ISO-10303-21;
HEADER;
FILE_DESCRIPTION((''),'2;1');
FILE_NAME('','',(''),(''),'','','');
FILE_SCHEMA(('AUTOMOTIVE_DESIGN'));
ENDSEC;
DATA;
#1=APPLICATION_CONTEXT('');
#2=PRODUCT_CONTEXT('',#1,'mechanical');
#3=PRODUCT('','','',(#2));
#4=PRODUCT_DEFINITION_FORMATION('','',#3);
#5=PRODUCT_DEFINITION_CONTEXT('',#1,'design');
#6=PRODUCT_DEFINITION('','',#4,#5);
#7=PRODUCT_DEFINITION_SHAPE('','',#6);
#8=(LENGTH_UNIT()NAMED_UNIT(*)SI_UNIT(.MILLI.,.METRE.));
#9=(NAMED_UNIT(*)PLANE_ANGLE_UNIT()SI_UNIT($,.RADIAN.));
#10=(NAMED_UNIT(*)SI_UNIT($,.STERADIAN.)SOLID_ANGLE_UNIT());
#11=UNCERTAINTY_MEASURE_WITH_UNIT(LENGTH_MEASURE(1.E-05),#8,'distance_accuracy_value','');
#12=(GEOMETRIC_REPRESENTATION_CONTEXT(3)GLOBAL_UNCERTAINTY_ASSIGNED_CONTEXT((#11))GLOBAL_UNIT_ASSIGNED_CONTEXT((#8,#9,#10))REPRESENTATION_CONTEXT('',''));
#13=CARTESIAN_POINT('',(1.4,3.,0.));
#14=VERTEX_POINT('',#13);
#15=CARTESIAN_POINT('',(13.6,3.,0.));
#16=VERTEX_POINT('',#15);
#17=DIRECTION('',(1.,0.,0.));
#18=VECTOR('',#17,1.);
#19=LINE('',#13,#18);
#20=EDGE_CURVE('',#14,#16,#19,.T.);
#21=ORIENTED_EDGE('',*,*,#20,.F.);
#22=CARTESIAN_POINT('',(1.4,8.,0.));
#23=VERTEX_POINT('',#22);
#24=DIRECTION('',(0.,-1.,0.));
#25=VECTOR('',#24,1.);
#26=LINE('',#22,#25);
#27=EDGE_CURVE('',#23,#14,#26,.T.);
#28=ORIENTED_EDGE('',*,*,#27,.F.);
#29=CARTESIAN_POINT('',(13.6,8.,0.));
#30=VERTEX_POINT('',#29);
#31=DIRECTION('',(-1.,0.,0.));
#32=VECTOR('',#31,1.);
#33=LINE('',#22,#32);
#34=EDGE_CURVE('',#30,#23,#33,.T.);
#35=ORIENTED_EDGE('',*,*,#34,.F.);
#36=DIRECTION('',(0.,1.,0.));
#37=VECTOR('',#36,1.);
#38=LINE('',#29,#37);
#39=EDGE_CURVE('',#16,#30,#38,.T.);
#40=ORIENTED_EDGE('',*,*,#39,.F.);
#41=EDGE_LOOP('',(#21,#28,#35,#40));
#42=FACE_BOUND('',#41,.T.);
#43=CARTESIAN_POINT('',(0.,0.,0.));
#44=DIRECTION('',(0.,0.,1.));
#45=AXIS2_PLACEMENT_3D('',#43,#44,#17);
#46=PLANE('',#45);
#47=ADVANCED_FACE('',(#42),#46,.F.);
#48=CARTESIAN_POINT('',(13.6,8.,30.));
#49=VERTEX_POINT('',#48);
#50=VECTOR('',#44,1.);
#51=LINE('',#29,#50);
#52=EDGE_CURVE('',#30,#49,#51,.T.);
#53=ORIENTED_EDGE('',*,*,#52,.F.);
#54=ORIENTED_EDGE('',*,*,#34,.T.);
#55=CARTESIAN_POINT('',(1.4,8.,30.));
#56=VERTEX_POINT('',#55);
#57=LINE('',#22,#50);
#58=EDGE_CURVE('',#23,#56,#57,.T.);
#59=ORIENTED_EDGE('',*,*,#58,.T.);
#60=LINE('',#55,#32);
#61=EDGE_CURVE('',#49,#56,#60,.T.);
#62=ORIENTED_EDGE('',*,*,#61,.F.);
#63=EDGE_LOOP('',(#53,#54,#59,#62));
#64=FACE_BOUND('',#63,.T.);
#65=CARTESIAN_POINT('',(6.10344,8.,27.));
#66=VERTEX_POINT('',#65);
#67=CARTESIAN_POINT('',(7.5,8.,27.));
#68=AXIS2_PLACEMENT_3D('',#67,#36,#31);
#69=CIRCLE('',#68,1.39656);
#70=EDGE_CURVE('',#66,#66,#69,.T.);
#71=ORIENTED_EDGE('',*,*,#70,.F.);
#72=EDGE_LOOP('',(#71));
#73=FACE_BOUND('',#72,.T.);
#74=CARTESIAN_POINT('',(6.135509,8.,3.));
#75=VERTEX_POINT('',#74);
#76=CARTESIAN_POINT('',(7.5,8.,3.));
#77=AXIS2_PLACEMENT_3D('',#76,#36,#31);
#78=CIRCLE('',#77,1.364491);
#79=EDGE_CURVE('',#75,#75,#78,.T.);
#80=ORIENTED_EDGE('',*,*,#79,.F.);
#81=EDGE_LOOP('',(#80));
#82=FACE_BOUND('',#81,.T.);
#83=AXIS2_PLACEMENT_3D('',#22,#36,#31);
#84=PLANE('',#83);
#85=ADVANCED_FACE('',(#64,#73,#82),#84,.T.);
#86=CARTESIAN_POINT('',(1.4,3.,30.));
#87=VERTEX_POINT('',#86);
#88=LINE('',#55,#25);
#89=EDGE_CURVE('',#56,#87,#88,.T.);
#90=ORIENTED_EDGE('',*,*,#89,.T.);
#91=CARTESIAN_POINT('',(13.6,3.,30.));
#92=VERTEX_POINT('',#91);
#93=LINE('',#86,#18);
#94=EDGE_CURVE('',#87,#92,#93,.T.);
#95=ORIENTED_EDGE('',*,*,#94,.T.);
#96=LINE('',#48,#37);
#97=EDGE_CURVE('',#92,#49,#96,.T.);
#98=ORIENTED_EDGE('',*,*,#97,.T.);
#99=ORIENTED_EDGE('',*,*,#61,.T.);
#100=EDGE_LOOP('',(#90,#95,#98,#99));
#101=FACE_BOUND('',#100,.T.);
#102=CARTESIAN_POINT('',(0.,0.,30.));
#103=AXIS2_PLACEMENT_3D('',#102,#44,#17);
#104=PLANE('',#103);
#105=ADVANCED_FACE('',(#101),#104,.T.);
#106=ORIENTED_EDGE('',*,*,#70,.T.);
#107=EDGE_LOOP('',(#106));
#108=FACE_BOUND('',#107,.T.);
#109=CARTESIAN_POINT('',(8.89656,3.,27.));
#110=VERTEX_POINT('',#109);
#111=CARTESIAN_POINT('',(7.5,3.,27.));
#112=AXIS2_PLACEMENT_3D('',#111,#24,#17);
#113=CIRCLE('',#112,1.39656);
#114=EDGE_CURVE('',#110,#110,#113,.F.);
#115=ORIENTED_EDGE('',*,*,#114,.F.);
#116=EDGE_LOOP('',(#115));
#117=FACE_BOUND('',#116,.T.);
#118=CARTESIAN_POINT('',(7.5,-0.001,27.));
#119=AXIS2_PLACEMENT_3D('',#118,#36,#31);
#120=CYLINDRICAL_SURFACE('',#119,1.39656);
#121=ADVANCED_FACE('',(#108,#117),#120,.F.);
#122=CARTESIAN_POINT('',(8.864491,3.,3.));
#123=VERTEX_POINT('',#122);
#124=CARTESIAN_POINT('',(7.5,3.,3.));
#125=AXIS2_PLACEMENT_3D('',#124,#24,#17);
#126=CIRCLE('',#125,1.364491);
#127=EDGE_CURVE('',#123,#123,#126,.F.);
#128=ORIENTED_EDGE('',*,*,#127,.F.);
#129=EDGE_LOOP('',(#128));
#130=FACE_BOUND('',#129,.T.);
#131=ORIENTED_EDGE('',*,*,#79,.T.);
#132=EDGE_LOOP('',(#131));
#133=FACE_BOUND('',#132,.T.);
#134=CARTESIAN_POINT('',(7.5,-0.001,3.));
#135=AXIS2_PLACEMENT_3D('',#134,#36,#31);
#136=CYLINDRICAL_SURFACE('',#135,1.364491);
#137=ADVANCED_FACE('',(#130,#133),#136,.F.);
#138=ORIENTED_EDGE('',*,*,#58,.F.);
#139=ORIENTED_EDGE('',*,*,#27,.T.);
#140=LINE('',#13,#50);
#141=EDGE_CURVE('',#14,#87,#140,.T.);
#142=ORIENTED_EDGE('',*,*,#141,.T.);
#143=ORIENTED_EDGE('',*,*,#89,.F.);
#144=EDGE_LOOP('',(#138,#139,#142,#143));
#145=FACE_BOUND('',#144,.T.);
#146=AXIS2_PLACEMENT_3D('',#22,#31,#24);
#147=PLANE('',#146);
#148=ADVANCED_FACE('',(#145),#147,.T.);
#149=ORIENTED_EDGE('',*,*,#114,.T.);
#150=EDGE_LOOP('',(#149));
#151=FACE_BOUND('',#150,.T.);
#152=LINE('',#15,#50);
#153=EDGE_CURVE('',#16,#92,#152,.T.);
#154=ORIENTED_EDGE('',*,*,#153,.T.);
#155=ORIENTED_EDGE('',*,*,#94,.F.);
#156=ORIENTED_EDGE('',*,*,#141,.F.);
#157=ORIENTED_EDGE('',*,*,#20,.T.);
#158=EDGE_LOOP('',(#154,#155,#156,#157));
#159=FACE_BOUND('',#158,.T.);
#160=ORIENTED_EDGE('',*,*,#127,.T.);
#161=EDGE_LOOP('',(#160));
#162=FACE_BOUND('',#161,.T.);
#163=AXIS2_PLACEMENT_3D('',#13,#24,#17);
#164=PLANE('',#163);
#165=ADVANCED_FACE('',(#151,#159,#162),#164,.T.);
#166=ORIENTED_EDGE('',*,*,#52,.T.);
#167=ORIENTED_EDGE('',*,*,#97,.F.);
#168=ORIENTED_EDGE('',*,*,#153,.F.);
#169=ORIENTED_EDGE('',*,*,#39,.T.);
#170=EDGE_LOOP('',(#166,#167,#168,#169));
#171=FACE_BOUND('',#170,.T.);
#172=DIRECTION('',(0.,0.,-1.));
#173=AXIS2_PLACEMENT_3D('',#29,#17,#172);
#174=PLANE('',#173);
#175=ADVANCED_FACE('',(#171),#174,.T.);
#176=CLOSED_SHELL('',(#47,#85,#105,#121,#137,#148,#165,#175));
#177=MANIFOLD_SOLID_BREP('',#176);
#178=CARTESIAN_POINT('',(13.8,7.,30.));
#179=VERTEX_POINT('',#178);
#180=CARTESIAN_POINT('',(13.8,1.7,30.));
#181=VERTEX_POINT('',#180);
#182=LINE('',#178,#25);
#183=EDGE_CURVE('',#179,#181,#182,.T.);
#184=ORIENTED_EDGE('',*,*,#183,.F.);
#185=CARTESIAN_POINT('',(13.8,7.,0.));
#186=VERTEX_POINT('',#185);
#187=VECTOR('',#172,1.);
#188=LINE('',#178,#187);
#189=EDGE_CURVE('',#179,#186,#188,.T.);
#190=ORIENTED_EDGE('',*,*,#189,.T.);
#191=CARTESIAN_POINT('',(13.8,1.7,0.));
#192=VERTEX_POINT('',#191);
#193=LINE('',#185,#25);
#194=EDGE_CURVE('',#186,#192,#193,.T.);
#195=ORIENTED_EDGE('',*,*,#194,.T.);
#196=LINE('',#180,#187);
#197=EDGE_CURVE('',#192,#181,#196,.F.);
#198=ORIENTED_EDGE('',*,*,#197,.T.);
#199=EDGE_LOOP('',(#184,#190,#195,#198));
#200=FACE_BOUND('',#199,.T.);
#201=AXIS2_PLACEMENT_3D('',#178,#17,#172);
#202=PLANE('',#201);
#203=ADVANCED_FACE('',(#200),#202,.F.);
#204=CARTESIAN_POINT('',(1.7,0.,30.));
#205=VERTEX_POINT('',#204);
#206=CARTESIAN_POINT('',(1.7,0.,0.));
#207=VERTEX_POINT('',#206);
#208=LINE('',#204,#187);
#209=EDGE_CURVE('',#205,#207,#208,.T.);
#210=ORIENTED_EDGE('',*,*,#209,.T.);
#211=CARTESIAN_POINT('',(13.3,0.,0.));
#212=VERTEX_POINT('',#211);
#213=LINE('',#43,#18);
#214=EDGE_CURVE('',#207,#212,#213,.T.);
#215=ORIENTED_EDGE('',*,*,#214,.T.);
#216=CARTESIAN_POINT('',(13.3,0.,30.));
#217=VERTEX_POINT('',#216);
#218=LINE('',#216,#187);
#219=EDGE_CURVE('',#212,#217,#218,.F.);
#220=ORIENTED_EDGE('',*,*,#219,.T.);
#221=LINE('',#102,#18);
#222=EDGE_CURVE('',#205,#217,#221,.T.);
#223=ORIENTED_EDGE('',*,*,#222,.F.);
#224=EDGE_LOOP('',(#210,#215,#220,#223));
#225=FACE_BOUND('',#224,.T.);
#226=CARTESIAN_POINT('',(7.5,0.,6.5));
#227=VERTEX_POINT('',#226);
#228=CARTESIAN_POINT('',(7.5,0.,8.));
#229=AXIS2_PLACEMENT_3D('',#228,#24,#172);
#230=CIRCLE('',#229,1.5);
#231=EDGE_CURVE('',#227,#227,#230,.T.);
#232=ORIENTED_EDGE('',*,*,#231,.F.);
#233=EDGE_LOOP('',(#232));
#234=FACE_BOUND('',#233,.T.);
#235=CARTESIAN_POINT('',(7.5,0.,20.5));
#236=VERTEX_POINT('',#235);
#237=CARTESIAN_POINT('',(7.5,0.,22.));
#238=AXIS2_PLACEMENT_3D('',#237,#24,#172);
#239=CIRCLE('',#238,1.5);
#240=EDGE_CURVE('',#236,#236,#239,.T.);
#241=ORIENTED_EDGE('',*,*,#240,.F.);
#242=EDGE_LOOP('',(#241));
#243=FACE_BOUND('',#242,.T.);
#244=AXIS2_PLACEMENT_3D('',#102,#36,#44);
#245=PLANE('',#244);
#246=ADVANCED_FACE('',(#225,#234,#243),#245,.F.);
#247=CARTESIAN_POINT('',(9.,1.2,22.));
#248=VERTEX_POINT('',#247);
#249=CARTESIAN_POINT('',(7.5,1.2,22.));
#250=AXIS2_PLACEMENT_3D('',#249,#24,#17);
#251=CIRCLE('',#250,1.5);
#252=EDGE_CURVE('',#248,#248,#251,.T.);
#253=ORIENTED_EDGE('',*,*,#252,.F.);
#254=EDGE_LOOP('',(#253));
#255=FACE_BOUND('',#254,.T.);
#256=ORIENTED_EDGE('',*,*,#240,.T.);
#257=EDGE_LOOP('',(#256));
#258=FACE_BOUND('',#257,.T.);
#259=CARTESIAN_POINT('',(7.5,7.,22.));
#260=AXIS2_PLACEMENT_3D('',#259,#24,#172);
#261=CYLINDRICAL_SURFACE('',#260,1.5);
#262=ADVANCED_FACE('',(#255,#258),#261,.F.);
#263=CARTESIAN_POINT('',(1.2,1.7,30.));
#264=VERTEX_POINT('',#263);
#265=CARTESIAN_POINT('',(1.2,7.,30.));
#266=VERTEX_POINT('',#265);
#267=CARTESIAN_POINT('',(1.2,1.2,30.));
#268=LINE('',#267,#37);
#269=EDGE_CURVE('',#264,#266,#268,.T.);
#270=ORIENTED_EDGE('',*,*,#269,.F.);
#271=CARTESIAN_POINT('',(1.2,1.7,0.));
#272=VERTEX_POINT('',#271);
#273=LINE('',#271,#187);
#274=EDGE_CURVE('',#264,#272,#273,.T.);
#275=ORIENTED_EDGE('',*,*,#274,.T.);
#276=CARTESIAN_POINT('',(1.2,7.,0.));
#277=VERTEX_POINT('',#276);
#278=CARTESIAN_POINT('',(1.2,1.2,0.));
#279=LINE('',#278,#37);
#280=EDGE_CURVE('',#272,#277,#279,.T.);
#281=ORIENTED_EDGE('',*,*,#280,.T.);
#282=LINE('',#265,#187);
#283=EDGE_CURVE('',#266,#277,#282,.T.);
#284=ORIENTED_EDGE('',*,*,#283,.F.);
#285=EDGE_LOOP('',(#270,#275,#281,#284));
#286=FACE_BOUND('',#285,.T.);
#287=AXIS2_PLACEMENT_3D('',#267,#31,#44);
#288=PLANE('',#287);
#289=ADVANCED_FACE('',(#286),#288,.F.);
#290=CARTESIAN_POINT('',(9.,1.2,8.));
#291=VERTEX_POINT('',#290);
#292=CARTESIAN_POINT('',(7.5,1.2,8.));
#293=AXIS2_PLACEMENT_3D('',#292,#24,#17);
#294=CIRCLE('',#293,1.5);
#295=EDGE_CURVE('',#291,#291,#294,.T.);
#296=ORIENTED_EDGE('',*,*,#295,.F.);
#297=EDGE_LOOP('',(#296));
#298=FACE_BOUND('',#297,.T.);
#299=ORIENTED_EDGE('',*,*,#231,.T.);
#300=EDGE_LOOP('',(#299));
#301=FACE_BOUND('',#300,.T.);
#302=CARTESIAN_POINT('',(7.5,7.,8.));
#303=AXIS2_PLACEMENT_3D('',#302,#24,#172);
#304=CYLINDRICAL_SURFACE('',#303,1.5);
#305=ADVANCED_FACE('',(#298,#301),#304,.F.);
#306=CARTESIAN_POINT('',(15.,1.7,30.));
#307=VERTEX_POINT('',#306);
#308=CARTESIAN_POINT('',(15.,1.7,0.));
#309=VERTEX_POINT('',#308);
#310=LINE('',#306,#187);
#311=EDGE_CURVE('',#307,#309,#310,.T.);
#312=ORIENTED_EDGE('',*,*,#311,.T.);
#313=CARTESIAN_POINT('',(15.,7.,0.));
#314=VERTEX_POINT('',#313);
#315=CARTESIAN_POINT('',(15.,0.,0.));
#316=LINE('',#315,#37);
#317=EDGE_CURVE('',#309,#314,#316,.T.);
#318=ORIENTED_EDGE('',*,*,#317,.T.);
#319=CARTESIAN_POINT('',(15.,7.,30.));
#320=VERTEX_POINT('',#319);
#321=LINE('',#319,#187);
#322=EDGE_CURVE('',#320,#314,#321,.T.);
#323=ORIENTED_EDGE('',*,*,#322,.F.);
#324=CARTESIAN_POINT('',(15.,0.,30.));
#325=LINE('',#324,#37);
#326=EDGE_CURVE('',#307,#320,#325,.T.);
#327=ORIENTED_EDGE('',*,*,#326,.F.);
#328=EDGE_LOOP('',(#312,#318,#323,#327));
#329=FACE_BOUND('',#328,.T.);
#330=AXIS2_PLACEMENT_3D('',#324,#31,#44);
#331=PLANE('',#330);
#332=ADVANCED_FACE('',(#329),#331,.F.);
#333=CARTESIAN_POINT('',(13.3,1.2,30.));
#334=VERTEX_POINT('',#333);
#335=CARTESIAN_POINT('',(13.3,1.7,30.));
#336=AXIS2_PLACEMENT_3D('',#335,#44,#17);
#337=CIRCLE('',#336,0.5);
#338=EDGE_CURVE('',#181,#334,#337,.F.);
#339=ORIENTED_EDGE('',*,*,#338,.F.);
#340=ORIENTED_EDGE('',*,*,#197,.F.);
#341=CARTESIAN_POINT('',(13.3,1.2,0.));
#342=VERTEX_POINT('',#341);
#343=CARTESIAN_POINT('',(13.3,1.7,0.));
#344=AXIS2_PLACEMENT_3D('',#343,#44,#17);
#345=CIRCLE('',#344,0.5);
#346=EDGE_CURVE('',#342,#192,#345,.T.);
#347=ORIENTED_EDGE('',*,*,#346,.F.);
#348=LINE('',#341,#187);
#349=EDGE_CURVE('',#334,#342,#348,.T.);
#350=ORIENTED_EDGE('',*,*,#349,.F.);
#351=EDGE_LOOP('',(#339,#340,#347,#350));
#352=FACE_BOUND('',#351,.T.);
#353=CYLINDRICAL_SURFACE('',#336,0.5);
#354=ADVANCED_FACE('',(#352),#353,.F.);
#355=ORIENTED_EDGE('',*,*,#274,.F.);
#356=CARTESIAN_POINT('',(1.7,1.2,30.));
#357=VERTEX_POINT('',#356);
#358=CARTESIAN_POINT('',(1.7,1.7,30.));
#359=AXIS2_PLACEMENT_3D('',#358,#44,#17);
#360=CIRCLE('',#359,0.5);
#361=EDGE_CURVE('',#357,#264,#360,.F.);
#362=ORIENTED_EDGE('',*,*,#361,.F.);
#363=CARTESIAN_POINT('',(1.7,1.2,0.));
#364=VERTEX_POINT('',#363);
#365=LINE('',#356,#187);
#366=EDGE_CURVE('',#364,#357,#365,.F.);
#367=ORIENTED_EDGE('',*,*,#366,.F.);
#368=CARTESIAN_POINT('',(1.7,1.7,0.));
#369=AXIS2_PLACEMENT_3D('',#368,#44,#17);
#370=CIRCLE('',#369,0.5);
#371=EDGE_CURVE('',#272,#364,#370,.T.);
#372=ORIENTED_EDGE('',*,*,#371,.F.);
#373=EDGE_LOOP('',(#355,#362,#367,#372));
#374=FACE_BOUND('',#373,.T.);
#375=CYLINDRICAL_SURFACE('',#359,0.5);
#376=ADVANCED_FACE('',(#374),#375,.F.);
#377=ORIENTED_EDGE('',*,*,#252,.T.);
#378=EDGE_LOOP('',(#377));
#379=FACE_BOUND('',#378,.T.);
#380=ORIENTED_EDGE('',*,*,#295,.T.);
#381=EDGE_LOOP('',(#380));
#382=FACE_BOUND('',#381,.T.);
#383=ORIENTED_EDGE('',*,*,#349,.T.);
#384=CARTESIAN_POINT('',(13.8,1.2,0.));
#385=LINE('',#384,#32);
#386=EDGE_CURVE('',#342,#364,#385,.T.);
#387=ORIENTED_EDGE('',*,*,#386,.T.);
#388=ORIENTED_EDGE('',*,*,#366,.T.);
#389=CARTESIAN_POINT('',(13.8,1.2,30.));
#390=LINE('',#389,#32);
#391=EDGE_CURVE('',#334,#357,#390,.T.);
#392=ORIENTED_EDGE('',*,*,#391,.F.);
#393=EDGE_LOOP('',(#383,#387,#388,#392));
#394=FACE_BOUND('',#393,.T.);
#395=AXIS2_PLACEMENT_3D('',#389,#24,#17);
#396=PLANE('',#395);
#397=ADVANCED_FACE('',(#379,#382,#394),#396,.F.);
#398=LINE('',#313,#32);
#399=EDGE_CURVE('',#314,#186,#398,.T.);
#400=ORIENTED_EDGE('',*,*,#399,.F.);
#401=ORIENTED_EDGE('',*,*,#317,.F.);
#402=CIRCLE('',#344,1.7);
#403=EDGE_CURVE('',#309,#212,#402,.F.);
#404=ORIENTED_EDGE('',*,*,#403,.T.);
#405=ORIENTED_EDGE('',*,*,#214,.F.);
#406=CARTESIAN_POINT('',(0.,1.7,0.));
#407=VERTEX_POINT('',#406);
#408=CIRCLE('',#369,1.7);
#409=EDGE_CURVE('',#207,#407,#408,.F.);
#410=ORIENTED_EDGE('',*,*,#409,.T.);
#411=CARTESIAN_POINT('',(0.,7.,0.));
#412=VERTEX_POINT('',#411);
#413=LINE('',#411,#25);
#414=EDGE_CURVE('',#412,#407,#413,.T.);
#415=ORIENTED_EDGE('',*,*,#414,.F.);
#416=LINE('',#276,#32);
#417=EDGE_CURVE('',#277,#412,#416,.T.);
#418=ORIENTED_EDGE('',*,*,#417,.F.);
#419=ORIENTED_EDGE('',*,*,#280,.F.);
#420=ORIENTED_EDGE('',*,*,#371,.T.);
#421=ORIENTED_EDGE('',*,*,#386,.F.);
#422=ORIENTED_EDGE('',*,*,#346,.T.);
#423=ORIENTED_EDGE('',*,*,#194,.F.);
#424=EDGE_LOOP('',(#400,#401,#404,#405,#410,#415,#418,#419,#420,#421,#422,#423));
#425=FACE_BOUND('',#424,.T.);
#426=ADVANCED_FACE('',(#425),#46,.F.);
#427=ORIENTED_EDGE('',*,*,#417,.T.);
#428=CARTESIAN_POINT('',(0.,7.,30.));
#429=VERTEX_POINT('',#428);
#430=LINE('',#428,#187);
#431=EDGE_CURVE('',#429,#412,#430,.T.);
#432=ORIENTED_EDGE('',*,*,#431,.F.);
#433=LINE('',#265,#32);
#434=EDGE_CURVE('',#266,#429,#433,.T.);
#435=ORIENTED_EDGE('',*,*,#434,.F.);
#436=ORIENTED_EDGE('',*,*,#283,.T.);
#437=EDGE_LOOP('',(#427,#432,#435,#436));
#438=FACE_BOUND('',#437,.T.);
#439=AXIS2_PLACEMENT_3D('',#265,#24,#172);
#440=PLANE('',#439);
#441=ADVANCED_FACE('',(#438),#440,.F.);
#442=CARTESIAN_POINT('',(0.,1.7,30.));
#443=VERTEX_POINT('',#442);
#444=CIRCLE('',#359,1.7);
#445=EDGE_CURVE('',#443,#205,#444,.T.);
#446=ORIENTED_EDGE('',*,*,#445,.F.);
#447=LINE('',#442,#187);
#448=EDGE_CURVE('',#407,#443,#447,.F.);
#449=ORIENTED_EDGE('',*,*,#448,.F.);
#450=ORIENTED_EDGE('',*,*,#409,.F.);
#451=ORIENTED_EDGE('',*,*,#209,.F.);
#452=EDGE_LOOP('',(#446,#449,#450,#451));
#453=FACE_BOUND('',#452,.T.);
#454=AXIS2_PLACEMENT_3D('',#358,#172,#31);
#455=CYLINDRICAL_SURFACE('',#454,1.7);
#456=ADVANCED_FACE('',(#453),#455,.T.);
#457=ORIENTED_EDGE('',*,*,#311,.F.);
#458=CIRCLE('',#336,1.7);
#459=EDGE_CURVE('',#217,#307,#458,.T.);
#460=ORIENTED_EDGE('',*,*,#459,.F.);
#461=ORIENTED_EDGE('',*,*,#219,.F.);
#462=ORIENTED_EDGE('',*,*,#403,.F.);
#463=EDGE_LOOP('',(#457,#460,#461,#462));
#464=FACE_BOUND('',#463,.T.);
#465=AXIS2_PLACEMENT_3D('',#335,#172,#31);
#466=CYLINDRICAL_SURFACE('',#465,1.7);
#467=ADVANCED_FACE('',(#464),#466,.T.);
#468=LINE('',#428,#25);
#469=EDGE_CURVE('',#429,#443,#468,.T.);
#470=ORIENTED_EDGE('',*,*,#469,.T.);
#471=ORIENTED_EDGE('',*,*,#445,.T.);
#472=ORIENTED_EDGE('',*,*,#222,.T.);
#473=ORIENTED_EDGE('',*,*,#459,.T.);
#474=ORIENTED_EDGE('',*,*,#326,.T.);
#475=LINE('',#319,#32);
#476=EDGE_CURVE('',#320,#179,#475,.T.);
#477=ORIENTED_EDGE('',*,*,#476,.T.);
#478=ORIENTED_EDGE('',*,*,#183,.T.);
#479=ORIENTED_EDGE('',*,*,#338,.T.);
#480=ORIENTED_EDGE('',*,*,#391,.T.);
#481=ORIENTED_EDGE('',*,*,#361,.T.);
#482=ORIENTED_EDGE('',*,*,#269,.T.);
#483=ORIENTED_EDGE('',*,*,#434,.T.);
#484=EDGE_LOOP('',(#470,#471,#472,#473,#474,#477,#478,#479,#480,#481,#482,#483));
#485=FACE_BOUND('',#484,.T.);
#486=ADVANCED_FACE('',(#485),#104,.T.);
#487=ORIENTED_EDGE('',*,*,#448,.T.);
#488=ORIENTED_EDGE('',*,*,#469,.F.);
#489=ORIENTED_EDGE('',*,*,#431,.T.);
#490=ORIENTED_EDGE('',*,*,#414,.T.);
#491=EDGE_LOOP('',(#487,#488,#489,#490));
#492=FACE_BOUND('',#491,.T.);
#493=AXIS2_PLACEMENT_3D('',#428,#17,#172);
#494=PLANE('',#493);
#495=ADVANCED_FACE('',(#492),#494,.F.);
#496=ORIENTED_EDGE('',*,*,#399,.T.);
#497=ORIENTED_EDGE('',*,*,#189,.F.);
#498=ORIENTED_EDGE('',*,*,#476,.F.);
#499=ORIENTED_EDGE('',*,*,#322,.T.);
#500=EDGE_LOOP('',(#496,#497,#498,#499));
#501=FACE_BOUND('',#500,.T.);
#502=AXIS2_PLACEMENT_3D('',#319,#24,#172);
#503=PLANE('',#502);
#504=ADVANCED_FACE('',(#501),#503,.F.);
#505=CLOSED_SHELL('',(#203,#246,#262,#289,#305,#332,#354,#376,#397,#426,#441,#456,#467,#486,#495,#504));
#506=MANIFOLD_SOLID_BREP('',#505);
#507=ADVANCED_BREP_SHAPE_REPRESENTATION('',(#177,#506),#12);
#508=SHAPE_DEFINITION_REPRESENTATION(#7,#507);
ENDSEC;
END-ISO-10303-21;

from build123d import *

# Parameters (mm, degrees)
BOSS_EXTRU_1_DEPTH      = 30
ESQUISSE2_R             = 1.5
ENL_V_MAT_EXTRU_1_DEPTH = 35.263683398
CONG_1_R                = 0.5
CONG_2_R                = 1.7
ESQUISSE3_W             = 12.2
ESQUISSE3_H             = 5
BOSS_EXTRU_2_DEPTH      = 30
ESQUISSE4_R             = 1.364491204
ESQUISSE4_R_2           = 1.396559876
ENL_V_MAT_EXTRU_2_DEPTH = 5


with BuildPart() as part:
    # Esquisse1 → Boss.-Extru.1 (new body)
    with BuildSketch(Plane.XY):
        Polygon((0, 7), (0, 0), (15, 0), (15, 7), (13.8, 7), (13.8, 1.2), (1.2, 1.2), (1.2, 7), align=None)
    extrude(amount=BOSS_EXTRU_1_DEPTH)

    # Esquisse2 → Enlèv. mat.-Extru.1 (cut, through all)
    with BuildSketch(Plane.XZ):
        with Locations(Location((7.5, 22, 0), (0, 0, 270))):
            Circle(ESQUISSE2_R)
        with Locations(Location((7.5, 8, 0), (0, 0, 270))):
            Circle(ESQUISSE2_R)
    extrude(amount=-ENL_V_MAT_EXTRU_1_DEPTH, mode=Mode.SUBTRACT)

    # Congé1
    cong_1_edges = [part.edges().sort_by_distance(p)[0] for p in [
        (1.2, 1.2, 15),
        (13.8, 1.2, 15),
    ]]
    fillet(cong_1_edges, radius=CONG_1_R)

    # Congé2
    cong_2_edges = [part.edges().sort_by_distance(p)[0] for p in [
        (15, 0, 15),
        (0, 0, 15),
    ]]
    fillet(cong_2_edges, radius=CONG_2_R)


with BuildPart() as body_2:
    # Esquisse3 → Boss.-Extru.2 (new body)
    with BuildSketch(Plane.XY.offset(30)):
        with Locations((7.5, 5.5)):
            Rectangle(ESQUISSE3_W, ESQUISSE3_H)
    extrude(amount=-BOSS_EXTRU_2_DEPTH)

    # Esquisse4 → Enlèv. mat.-Extru.2 (cut)
    with BuildSketch(Plane(origin=(0, 8, 0), x_dir=(1, 0, 0), z_dir=(0, 1, 0))):
        with Locations(Location((7.5, -3, 0), (0, 0, 180))):
            Circle(ESQUISSE4_R)
        with Locations(Location((7.5, -27, 0), (0, 0, 180))):
            Circle(ESQUISSE4_R_2)
    extrude(amount=-ENL_V_MAT_EXTRU_2_DEPTH, mode=Mode.SUBTRACT)


solid = Compound([part.part, body_2.part])
